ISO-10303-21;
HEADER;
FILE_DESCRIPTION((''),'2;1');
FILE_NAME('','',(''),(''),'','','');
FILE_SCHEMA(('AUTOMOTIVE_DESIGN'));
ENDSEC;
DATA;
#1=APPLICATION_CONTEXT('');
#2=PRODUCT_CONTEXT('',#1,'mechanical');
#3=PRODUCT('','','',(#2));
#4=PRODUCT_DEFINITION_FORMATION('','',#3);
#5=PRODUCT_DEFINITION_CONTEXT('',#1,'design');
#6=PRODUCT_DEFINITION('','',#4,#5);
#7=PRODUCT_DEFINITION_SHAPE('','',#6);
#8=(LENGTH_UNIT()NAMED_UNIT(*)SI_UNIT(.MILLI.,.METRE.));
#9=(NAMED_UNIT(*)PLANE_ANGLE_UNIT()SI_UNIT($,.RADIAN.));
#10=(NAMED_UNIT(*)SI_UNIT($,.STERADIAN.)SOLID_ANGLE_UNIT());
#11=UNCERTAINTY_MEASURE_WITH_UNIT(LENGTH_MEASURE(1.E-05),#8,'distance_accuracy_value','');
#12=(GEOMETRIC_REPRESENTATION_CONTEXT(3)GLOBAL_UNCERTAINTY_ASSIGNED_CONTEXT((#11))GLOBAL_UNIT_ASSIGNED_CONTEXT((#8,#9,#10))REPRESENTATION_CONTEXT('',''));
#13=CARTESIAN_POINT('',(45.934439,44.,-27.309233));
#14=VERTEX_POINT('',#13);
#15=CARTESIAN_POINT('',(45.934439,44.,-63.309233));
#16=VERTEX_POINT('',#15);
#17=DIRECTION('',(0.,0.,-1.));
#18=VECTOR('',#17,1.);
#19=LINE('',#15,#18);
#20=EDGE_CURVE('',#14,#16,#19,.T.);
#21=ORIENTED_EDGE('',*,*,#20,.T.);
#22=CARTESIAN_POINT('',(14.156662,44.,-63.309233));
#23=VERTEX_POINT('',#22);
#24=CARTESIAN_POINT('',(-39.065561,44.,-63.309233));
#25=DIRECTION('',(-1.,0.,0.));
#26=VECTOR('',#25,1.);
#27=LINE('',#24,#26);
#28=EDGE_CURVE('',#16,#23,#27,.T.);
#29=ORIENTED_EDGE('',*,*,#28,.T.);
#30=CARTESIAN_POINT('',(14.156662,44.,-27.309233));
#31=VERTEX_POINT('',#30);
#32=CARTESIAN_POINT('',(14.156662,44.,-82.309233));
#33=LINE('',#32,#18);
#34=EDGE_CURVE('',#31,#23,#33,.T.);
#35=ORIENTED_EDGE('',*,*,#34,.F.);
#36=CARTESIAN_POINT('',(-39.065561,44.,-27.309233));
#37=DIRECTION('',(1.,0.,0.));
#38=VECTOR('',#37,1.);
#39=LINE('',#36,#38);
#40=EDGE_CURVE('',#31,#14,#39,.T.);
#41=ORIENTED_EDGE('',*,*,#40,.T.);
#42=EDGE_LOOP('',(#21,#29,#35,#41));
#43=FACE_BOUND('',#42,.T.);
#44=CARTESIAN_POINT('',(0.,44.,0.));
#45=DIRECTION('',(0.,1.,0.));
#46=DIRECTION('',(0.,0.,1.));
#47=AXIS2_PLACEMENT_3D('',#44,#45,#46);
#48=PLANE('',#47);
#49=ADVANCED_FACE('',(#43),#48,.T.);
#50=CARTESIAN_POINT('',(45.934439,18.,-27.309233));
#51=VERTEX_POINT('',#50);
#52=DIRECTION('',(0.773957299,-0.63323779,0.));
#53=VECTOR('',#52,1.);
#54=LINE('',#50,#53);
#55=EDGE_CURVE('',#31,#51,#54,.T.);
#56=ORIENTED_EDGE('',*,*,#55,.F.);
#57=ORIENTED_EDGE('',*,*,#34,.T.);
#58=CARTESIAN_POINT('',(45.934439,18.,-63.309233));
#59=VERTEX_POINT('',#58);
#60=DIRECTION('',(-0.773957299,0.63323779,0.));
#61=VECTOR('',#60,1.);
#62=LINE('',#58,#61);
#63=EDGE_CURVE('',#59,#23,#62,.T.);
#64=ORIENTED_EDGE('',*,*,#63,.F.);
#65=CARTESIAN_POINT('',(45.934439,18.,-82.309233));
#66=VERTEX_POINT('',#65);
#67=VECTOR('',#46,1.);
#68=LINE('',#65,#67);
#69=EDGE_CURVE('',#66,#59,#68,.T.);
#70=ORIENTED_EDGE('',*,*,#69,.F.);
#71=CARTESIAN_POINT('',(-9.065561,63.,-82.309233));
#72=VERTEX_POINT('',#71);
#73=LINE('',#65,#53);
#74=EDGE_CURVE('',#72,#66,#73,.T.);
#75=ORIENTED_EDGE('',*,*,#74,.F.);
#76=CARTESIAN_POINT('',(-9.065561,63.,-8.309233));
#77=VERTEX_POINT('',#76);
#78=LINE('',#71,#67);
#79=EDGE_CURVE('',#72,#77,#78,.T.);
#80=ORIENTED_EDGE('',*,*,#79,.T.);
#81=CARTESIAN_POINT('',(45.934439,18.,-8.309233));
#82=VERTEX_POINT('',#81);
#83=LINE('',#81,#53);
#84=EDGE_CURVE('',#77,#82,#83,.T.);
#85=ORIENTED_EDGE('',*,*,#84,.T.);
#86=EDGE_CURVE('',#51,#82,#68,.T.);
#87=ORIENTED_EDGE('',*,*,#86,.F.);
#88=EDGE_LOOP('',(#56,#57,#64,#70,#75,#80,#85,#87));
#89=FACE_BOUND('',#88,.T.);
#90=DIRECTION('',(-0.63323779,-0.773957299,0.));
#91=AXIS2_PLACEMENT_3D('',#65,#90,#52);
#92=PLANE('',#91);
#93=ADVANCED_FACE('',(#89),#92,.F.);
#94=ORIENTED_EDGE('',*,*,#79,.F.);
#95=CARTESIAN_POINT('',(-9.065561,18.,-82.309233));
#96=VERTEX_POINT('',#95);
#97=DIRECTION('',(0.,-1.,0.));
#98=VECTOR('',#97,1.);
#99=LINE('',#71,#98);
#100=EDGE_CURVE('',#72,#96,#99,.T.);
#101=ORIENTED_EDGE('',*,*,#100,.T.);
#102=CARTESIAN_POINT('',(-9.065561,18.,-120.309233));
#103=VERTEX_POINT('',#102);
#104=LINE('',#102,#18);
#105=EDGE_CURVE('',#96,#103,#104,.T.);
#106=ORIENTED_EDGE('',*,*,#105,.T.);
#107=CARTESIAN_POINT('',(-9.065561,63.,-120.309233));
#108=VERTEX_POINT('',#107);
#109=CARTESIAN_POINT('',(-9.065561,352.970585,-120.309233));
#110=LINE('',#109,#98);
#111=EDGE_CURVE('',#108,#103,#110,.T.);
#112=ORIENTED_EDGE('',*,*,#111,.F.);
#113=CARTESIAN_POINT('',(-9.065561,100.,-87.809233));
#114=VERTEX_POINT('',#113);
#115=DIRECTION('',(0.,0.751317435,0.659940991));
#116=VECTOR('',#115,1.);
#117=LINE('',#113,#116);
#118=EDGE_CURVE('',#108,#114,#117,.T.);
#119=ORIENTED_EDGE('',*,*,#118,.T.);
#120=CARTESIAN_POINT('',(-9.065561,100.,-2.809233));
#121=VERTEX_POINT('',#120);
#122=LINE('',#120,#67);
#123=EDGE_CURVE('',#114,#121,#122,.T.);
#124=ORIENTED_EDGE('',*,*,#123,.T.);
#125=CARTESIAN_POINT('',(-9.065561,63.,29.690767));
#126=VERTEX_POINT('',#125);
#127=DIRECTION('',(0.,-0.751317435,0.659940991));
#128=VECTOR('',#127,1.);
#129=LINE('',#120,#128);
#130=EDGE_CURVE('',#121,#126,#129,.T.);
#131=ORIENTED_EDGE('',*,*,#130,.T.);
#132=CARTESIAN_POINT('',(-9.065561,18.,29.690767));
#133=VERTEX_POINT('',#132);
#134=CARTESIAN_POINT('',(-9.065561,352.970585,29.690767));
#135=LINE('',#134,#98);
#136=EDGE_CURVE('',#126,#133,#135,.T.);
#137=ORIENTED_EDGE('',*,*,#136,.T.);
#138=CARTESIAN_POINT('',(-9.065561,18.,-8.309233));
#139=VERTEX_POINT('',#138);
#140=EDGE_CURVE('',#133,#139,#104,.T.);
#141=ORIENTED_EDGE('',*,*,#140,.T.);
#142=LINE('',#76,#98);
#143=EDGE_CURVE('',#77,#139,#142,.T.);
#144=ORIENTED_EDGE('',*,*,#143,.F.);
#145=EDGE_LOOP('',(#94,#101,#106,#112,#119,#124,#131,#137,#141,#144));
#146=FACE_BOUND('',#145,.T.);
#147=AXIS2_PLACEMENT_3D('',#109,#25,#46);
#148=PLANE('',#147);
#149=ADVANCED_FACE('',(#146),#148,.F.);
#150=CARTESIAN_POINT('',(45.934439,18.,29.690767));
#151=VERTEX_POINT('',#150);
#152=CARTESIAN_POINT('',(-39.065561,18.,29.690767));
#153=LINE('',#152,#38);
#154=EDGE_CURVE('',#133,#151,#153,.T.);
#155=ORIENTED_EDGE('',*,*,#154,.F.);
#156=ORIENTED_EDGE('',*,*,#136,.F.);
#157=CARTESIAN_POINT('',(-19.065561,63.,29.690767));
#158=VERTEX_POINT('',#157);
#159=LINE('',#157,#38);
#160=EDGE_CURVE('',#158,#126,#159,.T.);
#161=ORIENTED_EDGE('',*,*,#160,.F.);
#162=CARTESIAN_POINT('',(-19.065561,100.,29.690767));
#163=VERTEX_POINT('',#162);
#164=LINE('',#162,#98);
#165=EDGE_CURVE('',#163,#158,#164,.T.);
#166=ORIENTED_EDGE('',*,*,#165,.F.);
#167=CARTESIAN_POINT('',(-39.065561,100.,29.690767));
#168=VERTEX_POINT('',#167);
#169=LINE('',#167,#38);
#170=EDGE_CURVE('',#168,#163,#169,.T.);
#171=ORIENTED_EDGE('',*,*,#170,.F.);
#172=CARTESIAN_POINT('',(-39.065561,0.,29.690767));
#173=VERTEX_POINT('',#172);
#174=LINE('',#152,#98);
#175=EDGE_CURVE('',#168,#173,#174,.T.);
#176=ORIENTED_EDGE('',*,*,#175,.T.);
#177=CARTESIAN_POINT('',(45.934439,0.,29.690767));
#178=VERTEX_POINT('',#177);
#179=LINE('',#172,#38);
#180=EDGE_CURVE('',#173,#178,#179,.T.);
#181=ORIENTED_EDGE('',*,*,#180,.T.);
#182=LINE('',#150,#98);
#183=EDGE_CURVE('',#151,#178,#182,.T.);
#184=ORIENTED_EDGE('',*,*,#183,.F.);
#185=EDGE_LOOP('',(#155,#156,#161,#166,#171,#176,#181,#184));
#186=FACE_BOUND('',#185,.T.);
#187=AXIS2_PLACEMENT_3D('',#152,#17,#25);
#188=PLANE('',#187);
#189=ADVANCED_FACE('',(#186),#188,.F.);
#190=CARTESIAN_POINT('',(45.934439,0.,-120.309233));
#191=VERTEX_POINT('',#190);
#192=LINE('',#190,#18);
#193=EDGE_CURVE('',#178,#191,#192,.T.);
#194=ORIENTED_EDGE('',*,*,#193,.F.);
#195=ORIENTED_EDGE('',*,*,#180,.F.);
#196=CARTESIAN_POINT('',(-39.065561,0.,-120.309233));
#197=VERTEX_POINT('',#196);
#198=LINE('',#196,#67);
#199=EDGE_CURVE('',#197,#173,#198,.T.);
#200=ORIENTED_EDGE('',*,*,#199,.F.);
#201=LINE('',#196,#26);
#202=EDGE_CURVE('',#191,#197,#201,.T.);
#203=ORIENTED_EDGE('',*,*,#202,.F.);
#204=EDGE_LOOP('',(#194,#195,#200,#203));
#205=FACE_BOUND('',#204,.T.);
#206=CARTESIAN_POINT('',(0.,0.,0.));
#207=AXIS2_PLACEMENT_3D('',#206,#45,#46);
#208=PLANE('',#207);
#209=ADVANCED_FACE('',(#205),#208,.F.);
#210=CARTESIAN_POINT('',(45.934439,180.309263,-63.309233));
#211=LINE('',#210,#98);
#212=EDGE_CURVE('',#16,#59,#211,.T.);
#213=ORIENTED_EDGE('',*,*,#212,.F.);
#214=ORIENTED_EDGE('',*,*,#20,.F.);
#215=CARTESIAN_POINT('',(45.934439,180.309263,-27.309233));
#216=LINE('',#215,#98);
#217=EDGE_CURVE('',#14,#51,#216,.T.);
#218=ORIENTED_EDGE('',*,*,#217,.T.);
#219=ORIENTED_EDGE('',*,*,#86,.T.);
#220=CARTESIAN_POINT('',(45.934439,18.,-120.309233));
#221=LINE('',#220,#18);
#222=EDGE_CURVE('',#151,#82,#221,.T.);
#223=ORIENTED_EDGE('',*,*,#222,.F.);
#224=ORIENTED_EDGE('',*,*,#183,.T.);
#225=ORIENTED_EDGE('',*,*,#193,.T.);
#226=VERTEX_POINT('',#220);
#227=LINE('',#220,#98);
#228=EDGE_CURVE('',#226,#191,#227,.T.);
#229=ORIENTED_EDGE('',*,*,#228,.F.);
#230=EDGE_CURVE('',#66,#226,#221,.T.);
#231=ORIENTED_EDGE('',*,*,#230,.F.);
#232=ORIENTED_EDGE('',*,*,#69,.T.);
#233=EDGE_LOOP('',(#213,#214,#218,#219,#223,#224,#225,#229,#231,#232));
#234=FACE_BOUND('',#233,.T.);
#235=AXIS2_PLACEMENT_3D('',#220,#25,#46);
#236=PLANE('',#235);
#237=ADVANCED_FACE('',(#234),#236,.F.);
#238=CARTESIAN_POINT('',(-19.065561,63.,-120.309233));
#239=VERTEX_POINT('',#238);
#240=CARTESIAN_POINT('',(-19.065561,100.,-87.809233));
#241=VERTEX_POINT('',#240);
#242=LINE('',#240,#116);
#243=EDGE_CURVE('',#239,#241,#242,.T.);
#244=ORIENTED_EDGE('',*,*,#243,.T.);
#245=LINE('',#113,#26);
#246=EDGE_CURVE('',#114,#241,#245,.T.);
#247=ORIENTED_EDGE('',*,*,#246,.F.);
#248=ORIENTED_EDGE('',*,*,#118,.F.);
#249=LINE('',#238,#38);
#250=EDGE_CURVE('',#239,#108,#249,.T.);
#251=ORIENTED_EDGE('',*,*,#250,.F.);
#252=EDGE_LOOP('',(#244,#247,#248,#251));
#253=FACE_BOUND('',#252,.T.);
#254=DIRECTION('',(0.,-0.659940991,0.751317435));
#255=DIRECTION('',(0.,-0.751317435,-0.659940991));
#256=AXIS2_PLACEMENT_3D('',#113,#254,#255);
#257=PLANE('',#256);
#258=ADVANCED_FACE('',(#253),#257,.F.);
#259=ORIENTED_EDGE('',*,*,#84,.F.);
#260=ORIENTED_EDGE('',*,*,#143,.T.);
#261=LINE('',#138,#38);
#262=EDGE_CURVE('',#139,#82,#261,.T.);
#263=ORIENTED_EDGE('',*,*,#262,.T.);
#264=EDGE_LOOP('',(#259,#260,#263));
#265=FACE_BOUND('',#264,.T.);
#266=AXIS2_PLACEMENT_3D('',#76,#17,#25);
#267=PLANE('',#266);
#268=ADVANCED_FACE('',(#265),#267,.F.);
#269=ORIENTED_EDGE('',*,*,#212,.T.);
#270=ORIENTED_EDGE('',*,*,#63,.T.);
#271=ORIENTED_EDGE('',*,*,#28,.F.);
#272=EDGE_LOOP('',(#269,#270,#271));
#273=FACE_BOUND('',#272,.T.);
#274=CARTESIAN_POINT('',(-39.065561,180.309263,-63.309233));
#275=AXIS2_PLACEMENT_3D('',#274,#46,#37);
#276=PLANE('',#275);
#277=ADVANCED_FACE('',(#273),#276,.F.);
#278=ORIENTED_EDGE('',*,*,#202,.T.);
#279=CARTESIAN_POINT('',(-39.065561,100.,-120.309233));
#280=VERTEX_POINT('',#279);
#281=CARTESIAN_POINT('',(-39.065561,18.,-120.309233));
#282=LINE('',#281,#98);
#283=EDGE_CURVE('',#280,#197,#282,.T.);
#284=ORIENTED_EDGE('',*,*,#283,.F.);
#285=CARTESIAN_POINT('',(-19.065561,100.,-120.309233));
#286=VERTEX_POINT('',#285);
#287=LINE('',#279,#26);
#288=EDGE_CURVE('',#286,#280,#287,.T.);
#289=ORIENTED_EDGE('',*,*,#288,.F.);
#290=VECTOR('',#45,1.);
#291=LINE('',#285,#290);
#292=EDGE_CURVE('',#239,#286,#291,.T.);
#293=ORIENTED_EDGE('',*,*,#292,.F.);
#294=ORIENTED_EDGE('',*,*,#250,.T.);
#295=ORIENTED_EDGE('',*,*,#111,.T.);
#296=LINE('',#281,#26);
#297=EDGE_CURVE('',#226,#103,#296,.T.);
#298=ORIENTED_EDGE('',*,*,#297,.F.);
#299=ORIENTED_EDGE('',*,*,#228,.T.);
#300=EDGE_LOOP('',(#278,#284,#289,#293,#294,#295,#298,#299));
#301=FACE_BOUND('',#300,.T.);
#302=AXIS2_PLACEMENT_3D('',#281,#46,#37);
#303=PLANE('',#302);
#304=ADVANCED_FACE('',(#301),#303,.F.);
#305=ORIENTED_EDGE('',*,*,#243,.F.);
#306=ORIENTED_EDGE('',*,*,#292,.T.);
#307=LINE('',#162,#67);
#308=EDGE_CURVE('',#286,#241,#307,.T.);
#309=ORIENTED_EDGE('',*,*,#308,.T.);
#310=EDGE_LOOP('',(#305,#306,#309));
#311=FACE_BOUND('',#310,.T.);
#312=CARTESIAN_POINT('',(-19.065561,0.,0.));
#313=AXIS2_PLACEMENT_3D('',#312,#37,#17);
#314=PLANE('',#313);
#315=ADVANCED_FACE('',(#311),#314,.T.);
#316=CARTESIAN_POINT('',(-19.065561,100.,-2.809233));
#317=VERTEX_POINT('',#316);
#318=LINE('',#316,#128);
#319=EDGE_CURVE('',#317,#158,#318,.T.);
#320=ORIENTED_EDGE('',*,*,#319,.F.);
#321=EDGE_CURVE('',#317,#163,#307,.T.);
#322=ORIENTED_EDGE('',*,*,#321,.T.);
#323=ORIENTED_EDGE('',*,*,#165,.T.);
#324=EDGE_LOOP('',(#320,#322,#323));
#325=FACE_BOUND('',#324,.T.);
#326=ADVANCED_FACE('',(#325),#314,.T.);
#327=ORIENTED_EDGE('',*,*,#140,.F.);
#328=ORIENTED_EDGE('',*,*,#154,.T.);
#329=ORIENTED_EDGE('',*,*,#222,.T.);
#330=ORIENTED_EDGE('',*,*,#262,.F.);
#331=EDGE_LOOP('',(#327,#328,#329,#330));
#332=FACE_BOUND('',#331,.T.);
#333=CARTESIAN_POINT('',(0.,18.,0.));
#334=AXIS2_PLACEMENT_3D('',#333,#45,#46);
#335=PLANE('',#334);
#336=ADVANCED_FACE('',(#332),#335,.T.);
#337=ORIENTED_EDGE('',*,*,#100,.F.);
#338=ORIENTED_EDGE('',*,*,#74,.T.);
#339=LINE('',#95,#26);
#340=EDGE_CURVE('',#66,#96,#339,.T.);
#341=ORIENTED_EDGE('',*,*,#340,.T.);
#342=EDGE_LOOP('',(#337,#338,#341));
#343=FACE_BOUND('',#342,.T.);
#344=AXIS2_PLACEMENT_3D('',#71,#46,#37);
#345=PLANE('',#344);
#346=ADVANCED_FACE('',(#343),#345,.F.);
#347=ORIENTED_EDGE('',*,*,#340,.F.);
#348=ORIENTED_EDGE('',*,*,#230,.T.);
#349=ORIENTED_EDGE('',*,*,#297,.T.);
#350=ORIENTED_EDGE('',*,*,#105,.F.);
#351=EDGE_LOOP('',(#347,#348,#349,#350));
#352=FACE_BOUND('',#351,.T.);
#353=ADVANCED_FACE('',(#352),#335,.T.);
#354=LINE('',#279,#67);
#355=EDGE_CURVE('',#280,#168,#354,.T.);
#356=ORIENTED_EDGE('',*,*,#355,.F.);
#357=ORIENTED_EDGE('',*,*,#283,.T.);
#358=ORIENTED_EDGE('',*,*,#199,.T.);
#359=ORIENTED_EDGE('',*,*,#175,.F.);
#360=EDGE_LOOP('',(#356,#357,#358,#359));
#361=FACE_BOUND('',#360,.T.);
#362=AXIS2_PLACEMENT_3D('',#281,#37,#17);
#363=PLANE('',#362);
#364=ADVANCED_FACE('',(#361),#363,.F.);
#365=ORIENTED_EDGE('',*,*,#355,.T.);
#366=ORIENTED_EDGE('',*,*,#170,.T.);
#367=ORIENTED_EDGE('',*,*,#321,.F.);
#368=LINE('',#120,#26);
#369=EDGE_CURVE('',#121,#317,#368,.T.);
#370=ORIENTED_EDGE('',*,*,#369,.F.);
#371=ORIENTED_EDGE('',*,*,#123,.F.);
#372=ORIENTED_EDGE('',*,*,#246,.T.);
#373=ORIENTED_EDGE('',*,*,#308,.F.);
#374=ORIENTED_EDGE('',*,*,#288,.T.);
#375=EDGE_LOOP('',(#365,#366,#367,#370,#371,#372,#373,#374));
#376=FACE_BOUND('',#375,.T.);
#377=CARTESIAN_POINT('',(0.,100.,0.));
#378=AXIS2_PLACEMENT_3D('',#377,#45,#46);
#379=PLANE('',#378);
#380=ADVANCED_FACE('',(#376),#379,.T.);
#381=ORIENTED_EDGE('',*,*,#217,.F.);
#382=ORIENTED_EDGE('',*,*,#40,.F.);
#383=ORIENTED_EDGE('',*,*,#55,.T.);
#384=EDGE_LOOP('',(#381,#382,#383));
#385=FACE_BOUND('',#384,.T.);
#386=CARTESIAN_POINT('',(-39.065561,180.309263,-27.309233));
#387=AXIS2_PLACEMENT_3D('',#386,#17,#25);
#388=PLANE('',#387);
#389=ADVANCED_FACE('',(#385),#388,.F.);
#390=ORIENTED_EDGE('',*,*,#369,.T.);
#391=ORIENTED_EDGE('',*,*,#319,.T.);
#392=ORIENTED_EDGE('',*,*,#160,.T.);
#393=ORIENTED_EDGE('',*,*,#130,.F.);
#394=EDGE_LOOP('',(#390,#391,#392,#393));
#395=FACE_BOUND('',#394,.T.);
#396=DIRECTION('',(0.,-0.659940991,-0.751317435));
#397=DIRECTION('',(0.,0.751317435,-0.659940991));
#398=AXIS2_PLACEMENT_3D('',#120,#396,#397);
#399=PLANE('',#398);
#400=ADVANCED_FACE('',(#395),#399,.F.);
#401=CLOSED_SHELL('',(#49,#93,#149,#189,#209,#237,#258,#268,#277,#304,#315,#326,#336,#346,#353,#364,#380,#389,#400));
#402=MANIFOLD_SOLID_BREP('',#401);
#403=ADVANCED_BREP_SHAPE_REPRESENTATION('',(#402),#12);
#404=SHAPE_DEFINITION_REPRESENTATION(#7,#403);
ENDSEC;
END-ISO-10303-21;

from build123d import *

# Parameters (mm, degrees)
SKETCH1_W           = 85
SKETCH1_H           = 150
BOSS_EXTRUDE1_DEPTH = 18
SKETCH2_W           = 30
SKETCH2_H           = 150
BOSS_EXTRUDE2_DEPTH = 82
SKETCH3_W           = 55
SKETCH3_H           = 74
BOSS_EXTRUDE3_DEPTH = 45
CUT_EXTRUDE1_DEPTH  = 74
SKETCH5_W           = 85
SKETCH5_H           = 36
BOSS_EXTRUDE4_DEPTH = 26
SKETCH7_W           = 150
SKETCH7_H           = 37
CUT_EXTRUDE2_DEPTH  = 10
BOSS_EXTRUDE5_DEPTH = 10


with BuildPart() as part:
    # Sketch1 → Boss-Extrude1 (new body)
    with BuildSketch(Plane(origin=(0, 0, 0), x_dir=(1, 0, 0), z_dir=(0, 1, 0))):
        with Locations((3.434439448, 45.309233449)):
            Rectangle(SKETCH1_W, SKETCH1_H)
    extrude(amount=BOSS_EXTRUDE1_DEPTH)

    # Sketch2 → Boss-Extrude2 (add)
    with BuildSketch(Plane(origin=(0, 18, 0), x_dir=(1, 0, 0), z_dir=(0, 1, 0))):
        with Locations((-24.065560552, 45.309233449)):
            Rectangle(SKETCH2_W, SKETCH2_H)
    extrude(amount=BOSS_EXTRUDE2_DEPTH)

    # Sketch3 → Boss-Extrude3 (add)
    with BuildSketch(Plane(origin=(0, 18, 0), x_dir=(1, 0, 0), z_dir=(0, 1, 0))):
        with Locations((18.434439448, 45.309233449)):
            Rectangle(SKETCH3_W, SKETCH3_H)
    extrude(amount=BOSS_EXTRUDE3_DEPTH)

    # Sketch4 → Cut-Extrude1 (cut)
    with BuildSketch(Plane.XY.offset(-8.309233449)):
        Polygon((45.934439448, 18), (-9.065560552, 63), (45.934439448, 63), align=None)
    extrude(amount=-CUT_EXTRUDE1_DEPTH, mode=Mode.SUBTRACT)

    # Sketch5 → Boss-Extrude4 (add)
    with BuildSketch(Plane(origin=(0, 18, 0), x_dir=(1, 0, 0), z_dir=(0, 1, 0))):
        with Locations((3.434439448, 45.309233449)):
            Rectangle(SKETCH5_W, SKETCH5_H)
    extrude(amount=BOSS_EXTRUDE4_DEPTH)

    # Sketch7 → Cut-Extrude2 (cut)
    with BuildSketch(Plane(origin=(-9.065560552, 0, 0), x_dir=(0, 0, -1), z_dir=(1, 0, 0))):
        with Locations((45.309233449, 81.5)):
            Rectangle(SKETCH7_W, SKETCH7_H)
    extrude(amount=-CUT_EXTRUDE2_DEPTH, mode=Mode.SUBTRACT)

    # Sketch8 → Boss-Extrude5 (add)
    with BuildSketch(Plane(origin=(-19.065560552, 0, 0), x_dir=(0, 0, -1), z_dir=(1, 0, 0))):
        Polygon((2.809233449, 100), (87.809233449, 100), (120.309233449, 63), (-29.690766551, 63), align=None)
    extrude(amount=BOSS_EXTRUDE5_DEPTH)


solid = part.part
